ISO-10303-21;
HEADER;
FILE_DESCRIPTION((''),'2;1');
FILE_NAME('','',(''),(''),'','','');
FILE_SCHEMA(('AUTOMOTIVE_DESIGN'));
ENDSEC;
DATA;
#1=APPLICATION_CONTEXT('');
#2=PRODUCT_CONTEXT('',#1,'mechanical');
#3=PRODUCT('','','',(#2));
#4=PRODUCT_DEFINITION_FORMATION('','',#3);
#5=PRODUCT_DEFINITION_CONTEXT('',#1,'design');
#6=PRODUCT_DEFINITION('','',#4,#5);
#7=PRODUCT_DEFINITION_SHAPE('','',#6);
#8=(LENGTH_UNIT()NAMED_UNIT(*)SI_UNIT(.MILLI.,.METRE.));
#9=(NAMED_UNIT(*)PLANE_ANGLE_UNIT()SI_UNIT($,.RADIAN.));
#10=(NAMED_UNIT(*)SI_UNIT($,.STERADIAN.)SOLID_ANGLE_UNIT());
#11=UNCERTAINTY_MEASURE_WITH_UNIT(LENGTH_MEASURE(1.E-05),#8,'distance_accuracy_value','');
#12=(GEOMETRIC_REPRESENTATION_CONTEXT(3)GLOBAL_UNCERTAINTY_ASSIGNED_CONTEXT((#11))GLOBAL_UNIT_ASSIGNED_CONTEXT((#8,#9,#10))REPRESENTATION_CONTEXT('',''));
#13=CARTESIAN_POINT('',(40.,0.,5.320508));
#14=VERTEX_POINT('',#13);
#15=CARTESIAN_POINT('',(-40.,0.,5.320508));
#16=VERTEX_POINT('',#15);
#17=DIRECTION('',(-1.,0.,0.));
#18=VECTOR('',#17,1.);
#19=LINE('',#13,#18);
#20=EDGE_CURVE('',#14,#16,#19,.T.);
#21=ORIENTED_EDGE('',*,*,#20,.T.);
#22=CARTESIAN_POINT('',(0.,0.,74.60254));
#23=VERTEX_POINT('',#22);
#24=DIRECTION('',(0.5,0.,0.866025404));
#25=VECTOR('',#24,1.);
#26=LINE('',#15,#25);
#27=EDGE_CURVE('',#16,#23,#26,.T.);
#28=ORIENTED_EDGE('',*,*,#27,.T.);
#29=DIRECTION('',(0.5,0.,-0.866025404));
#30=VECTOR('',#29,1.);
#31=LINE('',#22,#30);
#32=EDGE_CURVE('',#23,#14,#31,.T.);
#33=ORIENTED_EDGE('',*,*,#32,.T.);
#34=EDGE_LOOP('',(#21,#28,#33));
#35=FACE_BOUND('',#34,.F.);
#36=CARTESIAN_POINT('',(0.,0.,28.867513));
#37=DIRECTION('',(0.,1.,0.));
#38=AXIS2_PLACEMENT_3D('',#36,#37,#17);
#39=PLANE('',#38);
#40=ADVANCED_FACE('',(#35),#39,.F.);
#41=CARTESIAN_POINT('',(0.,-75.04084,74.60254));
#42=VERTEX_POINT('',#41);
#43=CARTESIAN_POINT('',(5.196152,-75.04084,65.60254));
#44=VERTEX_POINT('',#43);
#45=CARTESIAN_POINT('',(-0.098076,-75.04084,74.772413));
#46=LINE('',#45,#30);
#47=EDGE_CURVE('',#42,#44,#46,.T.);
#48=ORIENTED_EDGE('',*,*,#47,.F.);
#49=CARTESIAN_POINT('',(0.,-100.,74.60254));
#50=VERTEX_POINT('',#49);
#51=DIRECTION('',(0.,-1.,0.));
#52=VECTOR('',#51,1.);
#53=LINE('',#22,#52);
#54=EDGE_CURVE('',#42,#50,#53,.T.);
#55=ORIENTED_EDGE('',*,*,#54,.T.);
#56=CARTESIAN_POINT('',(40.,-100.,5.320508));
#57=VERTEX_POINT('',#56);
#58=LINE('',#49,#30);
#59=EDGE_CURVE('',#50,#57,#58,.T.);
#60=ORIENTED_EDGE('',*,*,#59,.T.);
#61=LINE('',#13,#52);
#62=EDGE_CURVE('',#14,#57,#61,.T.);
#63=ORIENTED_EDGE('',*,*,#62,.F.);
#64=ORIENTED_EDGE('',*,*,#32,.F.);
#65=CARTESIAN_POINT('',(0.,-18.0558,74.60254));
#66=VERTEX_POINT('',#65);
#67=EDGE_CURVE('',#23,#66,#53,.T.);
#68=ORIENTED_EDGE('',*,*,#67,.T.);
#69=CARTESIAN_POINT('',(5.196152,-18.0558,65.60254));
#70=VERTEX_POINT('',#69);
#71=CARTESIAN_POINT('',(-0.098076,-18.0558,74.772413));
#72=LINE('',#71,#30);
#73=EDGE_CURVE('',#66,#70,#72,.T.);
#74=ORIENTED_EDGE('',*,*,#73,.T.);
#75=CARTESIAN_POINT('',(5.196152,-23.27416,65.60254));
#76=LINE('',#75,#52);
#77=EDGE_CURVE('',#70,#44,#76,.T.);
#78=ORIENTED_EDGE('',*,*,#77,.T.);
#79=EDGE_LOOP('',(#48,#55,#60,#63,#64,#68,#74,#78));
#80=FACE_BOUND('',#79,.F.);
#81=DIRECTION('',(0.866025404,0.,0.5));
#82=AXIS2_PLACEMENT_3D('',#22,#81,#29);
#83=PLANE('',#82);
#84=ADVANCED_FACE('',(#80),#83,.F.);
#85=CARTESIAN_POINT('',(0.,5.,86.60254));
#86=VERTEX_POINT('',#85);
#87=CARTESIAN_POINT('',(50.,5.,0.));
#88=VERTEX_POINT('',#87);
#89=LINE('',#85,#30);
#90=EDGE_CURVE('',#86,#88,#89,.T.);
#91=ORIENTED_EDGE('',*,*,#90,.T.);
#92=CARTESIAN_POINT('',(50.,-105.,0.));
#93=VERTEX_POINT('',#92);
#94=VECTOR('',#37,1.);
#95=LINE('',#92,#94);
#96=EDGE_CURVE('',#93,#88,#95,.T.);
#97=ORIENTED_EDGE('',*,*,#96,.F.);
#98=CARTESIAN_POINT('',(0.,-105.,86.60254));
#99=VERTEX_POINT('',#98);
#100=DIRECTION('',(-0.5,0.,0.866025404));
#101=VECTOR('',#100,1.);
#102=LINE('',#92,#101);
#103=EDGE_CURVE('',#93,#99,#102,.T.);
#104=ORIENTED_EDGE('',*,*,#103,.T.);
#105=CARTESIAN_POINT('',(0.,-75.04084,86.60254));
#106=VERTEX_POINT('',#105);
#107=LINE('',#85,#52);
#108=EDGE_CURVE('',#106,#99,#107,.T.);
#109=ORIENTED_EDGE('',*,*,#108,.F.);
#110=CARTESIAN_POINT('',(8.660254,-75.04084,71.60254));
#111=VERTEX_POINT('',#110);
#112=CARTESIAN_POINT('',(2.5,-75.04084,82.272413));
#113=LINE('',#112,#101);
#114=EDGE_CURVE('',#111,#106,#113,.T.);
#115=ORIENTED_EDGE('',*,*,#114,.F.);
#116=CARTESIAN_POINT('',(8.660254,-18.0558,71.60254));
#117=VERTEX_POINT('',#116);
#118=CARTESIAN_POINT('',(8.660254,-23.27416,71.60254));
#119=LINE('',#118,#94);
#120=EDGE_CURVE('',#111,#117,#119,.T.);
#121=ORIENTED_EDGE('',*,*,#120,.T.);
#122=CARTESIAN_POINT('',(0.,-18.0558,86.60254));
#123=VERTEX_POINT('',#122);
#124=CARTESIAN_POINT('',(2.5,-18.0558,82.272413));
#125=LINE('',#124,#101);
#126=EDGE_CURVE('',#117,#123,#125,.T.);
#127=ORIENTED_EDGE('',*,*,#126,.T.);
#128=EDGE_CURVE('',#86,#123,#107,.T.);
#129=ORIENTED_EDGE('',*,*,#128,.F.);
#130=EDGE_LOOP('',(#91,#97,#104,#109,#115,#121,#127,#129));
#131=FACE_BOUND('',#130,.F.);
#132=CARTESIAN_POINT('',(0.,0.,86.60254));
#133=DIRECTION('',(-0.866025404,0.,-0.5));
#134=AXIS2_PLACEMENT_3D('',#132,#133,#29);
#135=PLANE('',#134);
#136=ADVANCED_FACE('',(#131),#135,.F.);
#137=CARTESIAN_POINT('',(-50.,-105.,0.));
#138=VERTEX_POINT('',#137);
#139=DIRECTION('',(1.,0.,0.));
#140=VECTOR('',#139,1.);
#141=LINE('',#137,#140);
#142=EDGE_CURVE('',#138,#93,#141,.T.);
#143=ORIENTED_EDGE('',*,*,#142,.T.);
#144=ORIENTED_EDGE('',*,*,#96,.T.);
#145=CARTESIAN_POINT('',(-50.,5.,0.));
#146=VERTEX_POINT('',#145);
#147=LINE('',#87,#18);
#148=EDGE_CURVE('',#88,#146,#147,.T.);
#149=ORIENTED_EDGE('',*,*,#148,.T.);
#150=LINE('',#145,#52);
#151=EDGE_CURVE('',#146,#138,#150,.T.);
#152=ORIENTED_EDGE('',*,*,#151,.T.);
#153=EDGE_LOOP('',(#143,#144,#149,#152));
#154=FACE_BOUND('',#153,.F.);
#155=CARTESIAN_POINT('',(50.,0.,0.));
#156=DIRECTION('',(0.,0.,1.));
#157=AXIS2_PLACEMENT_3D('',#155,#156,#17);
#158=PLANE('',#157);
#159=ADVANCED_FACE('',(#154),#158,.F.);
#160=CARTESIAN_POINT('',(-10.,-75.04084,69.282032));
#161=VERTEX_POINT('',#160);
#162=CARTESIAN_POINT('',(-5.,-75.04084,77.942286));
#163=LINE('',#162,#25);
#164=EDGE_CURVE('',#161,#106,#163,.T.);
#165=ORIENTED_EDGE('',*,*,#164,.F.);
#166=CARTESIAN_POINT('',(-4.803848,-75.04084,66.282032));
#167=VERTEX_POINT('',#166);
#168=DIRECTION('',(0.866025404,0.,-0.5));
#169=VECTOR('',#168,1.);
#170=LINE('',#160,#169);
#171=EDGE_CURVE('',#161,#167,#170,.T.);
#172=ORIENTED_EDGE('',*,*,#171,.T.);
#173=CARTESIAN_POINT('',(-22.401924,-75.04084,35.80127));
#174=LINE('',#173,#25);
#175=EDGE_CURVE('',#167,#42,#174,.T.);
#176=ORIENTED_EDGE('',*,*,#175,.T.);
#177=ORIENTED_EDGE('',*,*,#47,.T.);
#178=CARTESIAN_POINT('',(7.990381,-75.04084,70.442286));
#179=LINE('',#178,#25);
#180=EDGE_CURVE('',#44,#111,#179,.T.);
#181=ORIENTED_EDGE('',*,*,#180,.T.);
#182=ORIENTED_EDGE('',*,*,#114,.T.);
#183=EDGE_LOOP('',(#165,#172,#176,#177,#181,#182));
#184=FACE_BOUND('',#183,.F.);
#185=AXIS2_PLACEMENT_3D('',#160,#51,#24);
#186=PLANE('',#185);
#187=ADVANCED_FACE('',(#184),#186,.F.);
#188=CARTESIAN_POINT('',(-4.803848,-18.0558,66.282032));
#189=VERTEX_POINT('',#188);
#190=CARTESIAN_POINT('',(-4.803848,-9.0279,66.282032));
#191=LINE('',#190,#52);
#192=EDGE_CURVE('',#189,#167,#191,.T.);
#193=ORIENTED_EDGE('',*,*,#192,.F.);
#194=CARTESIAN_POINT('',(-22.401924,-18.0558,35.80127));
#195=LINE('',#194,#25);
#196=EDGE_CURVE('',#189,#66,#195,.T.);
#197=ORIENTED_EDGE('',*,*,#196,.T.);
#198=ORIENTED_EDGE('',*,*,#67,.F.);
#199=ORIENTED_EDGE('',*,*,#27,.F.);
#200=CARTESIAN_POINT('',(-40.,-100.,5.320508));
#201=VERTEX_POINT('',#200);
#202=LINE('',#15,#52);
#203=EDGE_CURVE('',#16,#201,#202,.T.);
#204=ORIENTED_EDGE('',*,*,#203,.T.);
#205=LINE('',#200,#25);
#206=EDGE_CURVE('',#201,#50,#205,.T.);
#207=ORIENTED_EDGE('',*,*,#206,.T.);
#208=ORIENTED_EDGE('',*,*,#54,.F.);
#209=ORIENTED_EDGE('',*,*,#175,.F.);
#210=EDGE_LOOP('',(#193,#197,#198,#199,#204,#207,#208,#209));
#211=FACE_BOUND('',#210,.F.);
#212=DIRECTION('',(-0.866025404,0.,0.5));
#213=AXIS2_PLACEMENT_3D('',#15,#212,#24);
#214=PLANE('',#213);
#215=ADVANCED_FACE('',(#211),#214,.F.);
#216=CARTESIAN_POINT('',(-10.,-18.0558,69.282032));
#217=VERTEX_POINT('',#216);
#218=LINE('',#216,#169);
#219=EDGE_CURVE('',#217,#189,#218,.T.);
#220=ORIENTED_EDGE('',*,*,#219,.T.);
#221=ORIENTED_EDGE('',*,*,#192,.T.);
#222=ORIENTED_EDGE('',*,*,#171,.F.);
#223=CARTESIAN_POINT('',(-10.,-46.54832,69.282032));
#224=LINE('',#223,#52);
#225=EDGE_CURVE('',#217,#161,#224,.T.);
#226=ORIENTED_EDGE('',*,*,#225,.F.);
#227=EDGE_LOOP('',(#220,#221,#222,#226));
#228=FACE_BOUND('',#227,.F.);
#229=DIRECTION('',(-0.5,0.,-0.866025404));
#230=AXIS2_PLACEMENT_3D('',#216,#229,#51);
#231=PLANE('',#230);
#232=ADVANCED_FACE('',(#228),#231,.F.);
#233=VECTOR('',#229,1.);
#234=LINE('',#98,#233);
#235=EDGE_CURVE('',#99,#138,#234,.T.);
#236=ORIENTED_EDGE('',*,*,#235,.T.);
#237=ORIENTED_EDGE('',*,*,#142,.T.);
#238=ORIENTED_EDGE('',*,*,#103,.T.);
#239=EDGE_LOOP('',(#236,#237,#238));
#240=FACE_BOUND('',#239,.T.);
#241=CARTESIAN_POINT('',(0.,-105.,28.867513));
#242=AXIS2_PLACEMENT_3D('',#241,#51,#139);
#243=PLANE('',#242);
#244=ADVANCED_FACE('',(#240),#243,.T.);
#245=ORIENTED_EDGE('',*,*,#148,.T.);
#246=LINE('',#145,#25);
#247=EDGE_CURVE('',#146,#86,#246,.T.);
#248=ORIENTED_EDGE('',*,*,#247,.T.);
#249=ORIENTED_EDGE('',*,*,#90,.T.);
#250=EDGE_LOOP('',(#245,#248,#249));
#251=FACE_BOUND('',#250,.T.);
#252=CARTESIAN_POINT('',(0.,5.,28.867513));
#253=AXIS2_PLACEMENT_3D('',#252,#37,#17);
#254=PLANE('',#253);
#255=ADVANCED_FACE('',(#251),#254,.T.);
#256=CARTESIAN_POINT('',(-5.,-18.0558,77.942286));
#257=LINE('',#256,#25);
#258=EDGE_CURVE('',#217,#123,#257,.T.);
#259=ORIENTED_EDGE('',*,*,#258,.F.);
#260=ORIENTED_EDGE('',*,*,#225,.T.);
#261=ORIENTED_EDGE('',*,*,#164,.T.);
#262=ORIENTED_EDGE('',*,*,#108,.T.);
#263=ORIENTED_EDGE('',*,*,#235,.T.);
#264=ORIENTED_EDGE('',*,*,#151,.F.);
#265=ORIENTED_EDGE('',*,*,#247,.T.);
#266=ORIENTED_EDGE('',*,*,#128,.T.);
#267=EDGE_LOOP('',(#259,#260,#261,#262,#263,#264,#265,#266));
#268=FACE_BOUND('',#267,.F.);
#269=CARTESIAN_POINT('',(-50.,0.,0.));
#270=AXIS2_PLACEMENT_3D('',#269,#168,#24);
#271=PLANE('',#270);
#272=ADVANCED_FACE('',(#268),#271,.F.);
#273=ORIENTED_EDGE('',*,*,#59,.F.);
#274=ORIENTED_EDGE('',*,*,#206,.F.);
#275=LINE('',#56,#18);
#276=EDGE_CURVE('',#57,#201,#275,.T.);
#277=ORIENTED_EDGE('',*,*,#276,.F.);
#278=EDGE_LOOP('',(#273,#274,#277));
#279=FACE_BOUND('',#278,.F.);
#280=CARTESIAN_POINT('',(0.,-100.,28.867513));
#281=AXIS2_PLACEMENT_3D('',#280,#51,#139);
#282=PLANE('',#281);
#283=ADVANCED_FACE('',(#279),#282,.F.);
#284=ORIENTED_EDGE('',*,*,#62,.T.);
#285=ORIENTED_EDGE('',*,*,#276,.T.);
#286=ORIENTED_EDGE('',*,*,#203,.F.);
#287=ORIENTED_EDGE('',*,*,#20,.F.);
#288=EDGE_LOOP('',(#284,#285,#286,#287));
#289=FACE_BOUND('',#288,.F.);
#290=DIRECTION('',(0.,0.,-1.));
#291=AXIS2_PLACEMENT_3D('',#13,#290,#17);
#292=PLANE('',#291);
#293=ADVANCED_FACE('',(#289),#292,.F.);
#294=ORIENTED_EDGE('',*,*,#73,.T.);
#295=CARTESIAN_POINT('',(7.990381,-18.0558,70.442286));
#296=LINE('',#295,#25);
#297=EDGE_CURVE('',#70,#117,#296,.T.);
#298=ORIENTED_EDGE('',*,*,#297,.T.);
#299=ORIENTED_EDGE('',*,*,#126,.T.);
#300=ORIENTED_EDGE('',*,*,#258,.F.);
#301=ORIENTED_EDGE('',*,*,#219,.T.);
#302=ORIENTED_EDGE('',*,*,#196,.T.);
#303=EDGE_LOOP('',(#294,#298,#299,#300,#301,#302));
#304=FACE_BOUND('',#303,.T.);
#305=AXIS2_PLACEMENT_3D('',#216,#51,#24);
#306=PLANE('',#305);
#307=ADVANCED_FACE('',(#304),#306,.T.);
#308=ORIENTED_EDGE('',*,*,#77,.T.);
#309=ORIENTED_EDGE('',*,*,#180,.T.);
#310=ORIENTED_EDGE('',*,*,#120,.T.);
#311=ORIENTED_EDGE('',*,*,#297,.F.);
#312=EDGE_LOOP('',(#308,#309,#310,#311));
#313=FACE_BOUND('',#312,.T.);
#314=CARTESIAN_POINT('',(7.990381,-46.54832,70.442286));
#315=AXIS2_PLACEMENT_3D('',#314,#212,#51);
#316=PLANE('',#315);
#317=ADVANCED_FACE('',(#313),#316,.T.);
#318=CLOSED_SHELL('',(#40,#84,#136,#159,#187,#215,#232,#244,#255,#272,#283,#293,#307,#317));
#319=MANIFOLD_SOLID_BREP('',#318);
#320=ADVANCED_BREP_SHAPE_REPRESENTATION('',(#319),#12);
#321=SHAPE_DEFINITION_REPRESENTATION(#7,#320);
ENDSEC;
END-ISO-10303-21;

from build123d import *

# Parameters (mm, degrees)
F1_DEPTH = 100
F3_DEPTH = 5
F5_DEPTH = 5
F6_W     = 56.985039264
F6_H     = 20
F7_DEPTH = 15


with BuildPart() as f1:
    # F0 (on Front) → F1 (new body)
    with BuildSketch(Plane.XZ):
        Polygon((0, 86.6025403784), (-50, 0), (50, 0), align=None)
        Polygon((40, 5.3205080757), (-40, 5.3205080757), (0, 74.6025403784), align=None, mode=Mode.SUBTRACT)
    extrude(amount=F1_DEPTH)

    # F2 (on face) → F3 (join)
    with BuildSketch(Plane.XZ.offset(100)):
        Polygon((-50, 0), (50, 0), (0, 86.6025403784), align=None)
        Polygon((0, 74.6025403784), (40, 5.3205080757), (-40, 5.3205080757), align=None, mode=Mode.SUBTRACT)
        Polygon((-40, 5.3205080757), (40, 5.3205080757), (0, 74.6025403784), align=None)
    extrude(amount=F3_DEPTH)

    # F4 (on face) → F5 (join)
    with BuildSketch(Plane(origin=(0, 0, 0), x_dir=(-1, 0, 0), z_dir=(0, 1, 0))):
        Polygon((0, 86.6025403784), (-50, 0), (50, 0), align=None)
        Polygon((0, 74.6025403784), (40, 5.3205080757), (-40, 5.3205080757), align=None, mode=Mode.SUBTRACT)
        Polygon((-40, 5.3205080757), (40, 5.3205080757), (0, 74.6025403784), align=None)
    extrude(amount=F5_DEPTH)

    # F6 (on face) → F7 (cut)
    with BuildSketch(Plane(origin=(-37.5, 0, 21.6506350946), x_dir=(0, -1, 0), z_dir=(-0.8660254038, 0, 0.5))):
        with Locations((46.5483199805, 65)):
            Rectangle(F6_W, F6_H)
    extrude(amount=-F7_DEPTH, mode=Mode.SUBTRACT)


solid = f1.part
